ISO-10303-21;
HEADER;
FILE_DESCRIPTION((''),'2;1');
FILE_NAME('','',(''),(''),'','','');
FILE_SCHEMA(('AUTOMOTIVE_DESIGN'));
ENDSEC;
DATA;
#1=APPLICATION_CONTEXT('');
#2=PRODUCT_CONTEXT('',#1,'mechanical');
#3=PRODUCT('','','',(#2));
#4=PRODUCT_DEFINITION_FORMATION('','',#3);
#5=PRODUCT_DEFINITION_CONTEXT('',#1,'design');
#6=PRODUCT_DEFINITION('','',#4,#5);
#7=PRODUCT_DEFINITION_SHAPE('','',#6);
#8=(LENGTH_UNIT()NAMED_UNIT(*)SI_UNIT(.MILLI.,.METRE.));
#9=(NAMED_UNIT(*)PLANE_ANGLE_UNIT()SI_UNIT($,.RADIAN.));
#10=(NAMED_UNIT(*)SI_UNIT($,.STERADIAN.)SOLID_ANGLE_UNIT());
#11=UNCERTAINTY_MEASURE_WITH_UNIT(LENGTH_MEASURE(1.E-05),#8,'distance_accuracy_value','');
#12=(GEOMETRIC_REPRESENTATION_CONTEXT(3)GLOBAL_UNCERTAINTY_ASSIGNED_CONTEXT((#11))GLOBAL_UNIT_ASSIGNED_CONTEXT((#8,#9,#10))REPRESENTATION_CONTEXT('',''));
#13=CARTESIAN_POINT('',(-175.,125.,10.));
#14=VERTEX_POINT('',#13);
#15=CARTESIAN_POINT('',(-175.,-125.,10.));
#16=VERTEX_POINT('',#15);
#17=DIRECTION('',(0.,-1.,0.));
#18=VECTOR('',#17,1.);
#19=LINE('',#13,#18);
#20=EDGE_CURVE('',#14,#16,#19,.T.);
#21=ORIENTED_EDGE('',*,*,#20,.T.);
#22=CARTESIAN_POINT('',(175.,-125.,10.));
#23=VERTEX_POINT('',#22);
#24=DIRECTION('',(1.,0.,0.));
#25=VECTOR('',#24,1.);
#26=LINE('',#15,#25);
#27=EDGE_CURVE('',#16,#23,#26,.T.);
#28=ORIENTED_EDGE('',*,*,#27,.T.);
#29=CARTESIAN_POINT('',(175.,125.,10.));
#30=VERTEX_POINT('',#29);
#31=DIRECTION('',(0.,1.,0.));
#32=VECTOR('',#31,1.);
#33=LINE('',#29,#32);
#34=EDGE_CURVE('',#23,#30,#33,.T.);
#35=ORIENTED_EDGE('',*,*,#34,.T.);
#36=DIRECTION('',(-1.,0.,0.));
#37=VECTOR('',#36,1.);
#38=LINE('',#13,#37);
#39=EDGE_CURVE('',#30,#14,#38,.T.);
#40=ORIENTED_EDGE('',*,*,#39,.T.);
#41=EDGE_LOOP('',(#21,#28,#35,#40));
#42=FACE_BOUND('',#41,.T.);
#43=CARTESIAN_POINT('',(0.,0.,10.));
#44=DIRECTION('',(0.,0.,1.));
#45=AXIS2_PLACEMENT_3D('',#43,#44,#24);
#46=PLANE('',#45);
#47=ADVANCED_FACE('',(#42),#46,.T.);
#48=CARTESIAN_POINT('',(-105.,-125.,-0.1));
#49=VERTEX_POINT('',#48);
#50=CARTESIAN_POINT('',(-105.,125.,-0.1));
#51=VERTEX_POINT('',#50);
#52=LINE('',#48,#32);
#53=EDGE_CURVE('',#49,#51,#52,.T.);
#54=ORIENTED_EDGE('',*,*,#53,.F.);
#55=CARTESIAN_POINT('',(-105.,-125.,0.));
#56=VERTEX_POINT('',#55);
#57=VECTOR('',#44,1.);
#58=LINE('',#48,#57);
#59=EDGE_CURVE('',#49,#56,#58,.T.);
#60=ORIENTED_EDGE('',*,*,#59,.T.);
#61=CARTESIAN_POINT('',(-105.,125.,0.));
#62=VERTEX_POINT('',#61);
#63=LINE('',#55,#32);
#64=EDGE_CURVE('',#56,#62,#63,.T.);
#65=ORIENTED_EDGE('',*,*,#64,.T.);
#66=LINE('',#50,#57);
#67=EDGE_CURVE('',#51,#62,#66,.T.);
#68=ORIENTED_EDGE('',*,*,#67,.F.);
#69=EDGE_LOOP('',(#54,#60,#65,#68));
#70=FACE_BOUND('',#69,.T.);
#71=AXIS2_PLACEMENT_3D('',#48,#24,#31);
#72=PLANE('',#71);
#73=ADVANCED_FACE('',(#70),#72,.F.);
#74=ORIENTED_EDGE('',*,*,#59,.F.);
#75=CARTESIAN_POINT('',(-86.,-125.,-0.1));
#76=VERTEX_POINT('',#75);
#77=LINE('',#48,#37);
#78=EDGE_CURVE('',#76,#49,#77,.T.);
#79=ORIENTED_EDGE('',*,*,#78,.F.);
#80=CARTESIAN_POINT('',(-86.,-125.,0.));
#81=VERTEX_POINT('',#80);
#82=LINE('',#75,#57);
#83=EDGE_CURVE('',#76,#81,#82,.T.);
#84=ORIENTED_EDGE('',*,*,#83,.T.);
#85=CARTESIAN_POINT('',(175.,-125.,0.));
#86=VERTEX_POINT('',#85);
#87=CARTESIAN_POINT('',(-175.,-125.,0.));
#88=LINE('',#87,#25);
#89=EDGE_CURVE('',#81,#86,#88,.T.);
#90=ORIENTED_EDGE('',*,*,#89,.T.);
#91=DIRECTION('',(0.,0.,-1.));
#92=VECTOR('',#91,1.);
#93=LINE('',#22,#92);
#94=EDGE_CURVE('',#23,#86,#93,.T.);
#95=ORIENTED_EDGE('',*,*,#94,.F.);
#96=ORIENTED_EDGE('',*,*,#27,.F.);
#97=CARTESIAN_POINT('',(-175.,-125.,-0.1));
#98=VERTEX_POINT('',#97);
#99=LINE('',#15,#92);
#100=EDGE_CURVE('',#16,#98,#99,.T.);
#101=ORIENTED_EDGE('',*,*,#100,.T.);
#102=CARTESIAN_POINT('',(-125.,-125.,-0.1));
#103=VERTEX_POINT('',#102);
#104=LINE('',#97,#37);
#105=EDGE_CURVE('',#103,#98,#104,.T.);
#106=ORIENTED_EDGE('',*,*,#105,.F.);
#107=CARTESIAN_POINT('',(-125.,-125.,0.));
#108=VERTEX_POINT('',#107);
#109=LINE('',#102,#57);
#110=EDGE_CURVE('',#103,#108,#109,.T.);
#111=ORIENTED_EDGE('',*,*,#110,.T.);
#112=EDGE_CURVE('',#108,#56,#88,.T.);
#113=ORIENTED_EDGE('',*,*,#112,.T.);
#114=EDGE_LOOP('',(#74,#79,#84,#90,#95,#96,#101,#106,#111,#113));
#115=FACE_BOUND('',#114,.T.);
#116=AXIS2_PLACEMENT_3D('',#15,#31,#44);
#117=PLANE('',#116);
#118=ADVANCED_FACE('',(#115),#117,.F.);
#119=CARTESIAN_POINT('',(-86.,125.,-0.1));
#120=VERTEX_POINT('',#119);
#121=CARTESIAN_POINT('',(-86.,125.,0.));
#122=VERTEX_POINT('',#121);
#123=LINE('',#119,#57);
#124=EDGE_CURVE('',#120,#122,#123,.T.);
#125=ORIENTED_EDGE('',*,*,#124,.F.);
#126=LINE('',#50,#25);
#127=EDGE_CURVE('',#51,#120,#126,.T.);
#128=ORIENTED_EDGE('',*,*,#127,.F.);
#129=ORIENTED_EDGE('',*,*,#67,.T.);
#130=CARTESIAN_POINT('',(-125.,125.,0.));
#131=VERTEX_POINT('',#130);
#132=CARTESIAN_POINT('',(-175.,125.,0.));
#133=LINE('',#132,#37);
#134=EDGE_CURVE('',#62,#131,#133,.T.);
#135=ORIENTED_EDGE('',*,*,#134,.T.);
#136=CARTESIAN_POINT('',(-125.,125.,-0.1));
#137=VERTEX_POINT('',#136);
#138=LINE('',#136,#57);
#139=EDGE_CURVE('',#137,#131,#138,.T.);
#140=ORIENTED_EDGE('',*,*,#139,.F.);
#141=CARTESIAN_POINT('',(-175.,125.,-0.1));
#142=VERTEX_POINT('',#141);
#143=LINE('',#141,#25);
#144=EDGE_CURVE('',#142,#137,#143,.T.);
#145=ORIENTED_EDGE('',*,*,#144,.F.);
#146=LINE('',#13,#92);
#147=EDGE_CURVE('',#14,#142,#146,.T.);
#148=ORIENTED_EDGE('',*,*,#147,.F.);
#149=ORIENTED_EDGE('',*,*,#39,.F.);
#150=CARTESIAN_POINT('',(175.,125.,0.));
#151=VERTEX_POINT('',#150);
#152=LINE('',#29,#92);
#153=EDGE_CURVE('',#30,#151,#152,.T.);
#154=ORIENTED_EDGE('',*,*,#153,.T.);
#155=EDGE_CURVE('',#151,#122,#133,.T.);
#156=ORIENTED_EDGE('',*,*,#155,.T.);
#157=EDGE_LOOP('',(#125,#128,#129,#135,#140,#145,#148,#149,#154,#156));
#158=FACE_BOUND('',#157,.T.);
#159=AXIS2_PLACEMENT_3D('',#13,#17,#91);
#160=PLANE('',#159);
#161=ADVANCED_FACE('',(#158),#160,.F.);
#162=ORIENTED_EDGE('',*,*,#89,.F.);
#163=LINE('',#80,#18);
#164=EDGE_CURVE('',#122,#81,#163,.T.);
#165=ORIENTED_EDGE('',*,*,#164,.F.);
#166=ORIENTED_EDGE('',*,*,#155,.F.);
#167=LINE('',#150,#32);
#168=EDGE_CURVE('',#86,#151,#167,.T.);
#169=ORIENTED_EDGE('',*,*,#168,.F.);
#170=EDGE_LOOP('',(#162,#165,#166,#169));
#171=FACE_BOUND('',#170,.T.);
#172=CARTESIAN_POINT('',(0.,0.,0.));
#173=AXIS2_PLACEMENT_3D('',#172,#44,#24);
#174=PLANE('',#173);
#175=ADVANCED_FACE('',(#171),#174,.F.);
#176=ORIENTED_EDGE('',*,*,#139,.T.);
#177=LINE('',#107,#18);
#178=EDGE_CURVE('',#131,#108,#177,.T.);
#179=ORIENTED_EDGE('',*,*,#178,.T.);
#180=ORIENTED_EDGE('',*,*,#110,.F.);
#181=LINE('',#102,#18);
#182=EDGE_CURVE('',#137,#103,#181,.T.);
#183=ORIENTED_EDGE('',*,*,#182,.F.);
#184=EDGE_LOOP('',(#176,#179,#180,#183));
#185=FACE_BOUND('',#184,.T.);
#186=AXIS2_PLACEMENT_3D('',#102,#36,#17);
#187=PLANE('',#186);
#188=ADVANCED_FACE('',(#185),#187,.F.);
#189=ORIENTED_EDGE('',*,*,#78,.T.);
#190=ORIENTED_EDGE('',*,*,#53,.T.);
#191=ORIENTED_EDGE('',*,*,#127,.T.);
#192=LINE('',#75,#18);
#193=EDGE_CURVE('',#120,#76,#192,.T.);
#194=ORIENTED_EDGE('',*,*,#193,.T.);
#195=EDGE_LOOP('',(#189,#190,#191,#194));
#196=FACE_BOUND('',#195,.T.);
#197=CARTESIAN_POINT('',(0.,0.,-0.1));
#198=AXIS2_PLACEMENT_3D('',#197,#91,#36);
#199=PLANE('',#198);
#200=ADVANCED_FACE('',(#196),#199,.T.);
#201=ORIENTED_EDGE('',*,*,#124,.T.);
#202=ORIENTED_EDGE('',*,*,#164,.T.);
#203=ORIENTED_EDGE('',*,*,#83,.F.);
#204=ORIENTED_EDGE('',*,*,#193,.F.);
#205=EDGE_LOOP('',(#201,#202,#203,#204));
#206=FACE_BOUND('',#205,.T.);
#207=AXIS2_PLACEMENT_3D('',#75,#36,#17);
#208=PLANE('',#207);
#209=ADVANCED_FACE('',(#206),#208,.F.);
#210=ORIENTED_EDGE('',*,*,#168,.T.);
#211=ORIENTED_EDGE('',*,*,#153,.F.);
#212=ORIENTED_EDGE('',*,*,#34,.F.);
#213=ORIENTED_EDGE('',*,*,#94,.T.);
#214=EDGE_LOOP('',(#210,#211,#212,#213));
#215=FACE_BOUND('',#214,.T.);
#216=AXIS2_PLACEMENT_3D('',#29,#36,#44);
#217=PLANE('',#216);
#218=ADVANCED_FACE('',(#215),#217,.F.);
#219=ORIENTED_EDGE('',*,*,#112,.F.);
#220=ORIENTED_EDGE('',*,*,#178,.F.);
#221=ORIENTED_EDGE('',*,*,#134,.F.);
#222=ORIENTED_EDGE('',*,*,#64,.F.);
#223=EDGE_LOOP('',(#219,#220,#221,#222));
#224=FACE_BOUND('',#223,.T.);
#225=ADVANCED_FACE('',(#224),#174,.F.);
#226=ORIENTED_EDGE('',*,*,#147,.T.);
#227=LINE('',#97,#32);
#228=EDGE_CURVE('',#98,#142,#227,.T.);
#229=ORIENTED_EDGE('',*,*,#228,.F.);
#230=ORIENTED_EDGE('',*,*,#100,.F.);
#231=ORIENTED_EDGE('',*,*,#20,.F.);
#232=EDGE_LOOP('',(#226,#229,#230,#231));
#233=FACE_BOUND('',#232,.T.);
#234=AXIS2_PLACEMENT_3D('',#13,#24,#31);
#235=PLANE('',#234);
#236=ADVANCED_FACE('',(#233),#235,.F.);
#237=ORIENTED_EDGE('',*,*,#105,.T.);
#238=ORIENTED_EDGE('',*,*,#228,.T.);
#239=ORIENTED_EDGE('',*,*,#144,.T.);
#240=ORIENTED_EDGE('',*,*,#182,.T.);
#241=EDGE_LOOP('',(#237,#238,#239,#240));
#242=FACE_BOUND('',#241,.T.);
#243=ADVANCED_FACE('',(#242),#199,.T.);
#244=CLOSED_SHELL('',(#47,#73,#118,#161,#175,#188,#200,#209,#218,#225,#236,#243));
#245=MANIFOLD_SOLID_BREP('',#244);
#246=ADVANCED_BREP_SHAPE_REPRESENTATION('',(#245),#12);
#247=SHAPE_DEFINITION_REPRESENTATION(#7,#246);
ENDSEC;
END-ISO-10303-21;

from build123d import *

# Parameters (mm, degrees)
ESBO_O1_W                = 350
ESBO_O1_H                = 250
RESSALTO_EXTRUS_O1_DEPTH = 10
ESBO_O2_W                = 50
ESBO_O2_H                = 250
ESBO_O2_W_2              = 19
RESSALTO_EXTRUS_O2_DEPTH = 0.1


with BuildPart() as part:
    # Esboço1 → Ressalto-extrusão1 (new body)
    with BuildSketch(Plane.XY):
        Rectangle(ESBO_O1_W, ESBO_O1_H)
    extrude(amount=RESSALTO_EXTRUS_O1_DEPTH)

    # Esboço2 → Ressalto-extrusão2 (add)
    with BuildSketch(Plane(origin=(0, 0, 0), x_dir=(-1, 0, 0), z_dir=(0, 0, -1))):
        with Locations((150, 0)):
            Rectangle(ESBO_O2_W, ESBO_O2_H)
        with Locations((95.5, 0)):
            Rectangle(ESBO_O2_W_2, ESBO_O2_H)
    extrude(amount=RESSALTO_EXTRUS_O2_DEPTH)


solid = part.part
